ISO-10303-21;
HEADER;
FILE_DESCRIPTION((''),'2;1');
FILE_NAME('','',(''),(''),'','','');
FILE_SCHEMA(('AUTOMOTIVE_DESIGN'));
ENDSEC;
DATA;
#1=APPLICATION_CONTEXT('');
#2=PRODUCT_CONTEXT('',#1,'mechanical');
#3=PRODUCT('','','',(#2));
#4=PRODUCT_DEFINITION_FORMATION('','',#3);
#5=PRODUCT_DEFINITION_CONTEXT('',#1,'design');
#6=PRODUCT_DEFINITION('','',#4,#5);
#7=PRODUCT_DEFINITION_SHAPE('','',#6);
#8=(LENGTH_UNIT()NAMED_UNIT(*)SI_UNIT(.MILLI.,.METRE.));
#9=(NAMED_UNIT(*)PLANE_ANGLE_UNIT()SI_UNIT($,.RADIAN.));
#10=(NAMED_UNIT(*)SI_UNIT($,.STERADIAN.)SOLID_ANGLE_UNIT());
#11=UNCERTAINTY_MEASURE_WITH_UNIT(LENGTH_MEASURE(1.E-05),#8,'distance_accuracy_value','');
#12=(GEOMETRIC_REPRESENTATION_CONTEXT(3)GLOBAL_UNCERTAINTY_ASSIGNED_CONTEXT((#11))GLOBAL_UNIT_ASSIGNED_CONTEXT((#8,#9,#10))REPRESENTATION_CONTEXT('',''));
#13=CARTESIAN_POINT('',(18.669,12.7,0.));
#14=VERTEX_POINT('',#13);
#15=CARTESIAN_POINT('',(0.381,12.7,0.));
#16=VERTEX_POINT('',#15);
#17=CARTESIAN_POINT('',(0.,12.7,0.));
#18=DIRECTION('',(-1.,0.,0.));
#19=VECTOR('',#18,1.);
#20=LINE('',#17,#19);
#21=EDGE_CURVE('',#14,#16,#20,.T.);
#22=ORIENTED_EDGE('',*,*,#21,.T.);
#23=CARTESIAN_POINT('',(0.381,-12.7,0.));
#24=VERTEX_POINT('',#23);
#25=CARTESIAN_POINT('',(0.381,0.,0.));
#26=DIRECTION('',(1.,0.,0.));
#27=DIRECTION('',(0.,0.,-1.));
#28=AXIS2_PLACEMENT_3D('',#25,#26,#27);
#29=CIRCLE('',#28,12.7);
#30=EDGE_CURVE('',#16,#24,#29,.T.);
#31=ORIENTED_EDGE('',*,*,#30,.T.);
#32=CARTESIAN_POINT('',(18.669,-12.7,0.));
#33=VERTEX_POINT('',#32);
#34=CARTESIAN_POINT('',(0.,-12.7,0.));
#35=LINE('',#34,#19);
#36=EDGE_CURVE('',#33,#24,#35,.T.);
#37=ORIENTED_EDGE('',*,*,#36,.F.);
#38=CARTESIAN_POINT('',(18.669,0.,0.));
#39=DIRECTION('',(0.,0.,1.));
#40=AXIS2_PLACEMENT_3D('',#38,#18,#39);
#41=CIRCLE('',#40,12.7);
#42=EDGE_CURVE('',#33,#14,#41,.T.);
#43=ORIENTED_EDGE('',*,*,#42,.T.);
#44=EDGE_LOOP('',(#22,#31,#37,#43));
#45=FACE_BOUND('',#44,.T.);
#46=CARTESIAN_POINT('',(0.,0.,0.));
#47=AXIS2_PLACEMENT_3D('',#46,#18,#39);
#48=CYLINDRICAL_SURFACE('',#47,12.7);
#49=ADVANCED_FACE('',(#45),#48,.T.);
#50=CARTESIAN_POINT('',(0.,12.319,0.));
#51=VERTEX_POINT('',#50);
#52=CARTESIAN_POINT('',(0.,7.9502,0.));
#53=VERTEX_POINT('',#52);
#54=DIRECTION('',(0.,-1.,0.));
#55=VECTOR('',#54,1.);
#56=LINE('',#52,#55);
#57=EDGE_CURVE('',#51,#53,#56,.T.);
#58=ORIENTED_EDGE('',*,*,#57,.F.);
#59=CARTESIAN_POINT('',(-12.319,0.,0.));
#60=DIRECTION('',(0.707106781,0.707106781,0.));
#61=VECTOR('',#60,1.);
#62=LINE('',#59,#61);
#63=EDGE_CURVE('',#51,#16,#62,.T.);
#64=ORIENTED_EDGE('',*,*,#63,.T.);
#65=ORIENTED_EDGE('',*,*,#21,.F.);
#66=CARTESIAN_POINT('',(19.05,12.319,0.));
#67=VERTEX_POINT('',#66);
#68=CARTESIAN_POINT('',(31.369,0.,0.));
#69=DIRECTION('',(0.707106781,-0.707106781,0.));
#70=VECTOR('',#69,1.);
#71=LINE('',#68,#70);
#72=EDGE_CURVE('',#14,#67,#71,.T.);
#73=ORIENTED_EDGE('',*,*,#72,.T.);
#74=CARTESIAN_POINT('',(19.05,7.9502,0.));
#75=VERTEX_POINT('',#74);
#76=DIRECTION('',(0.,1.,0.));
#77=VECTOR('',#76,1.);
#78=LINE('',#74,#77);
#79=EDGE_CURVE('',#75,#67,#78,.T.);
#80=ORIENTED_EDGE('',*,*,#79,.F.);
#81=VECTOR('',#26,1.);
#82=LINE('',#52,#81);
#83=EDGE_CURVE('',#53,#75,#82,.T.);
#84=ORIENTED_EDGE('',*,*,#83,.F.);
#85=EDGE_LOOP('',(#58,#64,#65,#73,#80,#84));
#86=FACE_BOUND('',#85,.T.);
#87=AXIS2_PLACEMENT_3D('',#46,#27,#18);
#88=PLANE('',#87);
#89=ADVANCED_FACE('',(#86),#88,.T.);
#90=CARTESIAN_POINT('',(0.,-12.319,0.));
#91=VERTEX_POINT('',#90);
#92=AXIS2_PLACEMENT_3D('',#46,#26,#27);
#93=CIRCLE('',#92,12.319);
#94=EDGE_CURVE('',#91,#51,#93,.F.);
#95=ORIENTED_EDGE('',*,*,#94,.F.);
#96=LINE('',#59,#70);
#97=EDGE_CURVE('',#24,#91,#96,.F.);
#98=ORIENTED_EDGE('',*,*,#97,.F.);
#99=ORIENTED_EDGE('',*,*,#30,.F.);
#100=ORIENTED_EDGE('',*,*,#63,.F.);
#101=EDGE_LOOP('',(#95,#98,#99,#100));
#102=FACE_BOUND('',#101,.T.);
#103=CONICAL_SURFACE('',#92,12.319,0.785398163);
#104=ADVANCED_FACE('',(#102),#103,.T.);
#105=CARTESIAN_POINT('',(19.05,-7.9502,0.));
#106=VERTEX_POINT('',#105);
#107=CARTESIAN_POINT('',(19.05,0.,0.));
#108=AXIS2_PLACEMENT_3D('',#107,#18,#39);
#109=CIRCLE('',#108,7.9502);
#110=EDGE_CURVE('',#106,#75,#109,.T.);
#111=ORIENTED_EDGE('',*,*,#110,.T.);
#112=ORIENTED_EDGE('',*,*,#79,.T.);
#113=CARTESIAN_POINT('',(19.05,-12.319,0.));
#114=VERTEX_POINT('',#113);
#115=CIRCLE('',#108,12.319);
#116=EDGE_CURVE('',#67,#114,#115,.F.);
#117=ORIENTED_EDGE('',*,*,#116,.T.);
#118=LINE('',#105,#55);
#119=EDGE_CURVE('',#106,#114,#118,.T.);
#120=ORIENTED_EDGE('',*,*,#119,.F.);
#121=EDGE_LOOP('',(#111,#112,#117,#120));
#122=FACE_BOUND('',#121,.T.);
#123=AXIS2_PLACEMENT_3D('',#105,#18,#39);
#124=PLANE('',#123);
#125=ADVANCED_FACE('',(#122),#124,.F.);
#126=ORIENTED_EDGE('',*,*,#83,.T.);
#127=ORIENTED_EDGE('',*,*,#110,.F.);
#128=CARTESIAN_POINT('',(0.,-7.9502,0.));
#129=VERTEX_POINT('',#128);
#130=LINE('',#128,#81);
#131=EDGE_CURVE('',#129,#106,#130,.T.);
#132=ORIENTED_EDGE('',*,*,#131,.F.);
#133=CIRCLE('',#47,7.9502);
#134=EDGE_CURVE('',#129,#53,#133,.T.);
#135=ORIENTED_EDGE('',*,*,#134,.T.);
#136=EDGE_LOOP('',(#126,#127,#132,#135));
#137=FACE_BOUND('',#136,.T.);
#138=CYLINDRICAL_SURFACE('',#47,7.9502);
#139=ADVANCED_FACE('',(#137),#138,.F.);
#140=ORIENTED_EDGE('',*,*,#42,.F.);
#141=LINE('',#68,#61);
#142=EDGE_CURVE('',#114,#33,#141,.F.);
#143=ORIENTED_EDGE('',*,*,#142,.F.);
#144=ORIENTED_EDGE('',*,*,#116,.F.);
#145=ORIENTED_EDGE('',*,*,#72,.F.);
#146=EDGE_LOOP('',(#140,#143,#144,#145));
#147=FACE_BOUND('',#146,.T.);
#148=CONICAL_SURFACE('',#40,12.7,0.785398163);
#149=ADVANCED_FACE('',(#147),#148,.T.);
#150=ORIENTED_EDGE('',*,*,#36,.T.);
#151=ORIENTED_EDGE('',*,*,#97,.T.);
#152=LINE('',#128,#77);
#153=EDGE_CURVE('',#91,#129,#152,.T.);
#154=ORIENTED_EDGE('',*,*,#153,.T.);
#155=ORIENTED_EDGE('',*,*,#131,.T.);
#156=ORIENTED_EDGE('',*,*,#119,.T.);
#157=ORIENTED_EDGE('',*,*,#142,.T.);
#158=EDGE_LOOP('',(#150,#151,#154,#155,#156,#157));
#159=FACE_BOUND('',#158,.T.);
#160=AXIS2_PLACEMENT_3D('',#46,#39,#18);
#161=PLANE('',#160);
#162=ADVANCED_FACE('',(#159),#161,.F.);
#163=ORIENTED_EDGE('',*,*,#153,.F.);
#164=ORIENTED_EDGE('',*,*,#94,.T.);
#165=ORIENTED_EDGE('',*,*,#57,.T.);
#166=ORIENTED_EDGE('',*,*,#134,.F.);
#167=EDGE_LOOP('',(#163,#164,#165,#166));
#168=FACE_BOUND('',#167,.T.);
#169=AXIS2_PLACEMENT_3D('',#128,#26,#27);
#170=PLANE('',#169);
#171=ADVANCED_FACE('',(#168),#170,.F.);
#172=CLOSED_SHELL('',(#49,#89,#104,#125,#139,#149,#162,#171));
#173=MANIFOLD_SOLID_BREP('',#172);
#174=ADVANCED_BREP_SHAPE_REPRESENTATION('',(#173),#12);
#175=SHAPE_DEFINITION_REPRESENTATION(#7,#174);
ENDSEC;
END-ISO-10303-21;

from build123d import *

# Parameters (mm, degrees)
PRIMARY_SKETCH_W      = 19.05
PRIMARY_SKETCH_H      = 4.7498
PRIMARY_REVOLVE_ANGLE = 180
EDGE_CHAMFER_SIZE     = 0.381


with BuildPart() as part:
    # Primary Sketch → Primary Revolve (revolve)
    with BuildSketch(Plane.XY):
        with Locations((9.525, 10.3251)):
            Rectangle(PRIMARY_SKETCH_W, PRIMARY_SKETCH_H)
    revolve(axis=Axis((0, 0, 0), (1, 0, 0)), revolution_arc=PRIMARY_REVOLVE_ANGLE)

    # Edge Chamfer
    edge_chamfer_edges = [part.edges().sort_by_distance(p)[0] for p in [
        (19.05, 0, 12.7),
        (0, 0, 12.7),
    ]]
    chamfer(edge_chamfer_edges, length=EDGE_CHAMFER_SIZE)


solid = part.part
